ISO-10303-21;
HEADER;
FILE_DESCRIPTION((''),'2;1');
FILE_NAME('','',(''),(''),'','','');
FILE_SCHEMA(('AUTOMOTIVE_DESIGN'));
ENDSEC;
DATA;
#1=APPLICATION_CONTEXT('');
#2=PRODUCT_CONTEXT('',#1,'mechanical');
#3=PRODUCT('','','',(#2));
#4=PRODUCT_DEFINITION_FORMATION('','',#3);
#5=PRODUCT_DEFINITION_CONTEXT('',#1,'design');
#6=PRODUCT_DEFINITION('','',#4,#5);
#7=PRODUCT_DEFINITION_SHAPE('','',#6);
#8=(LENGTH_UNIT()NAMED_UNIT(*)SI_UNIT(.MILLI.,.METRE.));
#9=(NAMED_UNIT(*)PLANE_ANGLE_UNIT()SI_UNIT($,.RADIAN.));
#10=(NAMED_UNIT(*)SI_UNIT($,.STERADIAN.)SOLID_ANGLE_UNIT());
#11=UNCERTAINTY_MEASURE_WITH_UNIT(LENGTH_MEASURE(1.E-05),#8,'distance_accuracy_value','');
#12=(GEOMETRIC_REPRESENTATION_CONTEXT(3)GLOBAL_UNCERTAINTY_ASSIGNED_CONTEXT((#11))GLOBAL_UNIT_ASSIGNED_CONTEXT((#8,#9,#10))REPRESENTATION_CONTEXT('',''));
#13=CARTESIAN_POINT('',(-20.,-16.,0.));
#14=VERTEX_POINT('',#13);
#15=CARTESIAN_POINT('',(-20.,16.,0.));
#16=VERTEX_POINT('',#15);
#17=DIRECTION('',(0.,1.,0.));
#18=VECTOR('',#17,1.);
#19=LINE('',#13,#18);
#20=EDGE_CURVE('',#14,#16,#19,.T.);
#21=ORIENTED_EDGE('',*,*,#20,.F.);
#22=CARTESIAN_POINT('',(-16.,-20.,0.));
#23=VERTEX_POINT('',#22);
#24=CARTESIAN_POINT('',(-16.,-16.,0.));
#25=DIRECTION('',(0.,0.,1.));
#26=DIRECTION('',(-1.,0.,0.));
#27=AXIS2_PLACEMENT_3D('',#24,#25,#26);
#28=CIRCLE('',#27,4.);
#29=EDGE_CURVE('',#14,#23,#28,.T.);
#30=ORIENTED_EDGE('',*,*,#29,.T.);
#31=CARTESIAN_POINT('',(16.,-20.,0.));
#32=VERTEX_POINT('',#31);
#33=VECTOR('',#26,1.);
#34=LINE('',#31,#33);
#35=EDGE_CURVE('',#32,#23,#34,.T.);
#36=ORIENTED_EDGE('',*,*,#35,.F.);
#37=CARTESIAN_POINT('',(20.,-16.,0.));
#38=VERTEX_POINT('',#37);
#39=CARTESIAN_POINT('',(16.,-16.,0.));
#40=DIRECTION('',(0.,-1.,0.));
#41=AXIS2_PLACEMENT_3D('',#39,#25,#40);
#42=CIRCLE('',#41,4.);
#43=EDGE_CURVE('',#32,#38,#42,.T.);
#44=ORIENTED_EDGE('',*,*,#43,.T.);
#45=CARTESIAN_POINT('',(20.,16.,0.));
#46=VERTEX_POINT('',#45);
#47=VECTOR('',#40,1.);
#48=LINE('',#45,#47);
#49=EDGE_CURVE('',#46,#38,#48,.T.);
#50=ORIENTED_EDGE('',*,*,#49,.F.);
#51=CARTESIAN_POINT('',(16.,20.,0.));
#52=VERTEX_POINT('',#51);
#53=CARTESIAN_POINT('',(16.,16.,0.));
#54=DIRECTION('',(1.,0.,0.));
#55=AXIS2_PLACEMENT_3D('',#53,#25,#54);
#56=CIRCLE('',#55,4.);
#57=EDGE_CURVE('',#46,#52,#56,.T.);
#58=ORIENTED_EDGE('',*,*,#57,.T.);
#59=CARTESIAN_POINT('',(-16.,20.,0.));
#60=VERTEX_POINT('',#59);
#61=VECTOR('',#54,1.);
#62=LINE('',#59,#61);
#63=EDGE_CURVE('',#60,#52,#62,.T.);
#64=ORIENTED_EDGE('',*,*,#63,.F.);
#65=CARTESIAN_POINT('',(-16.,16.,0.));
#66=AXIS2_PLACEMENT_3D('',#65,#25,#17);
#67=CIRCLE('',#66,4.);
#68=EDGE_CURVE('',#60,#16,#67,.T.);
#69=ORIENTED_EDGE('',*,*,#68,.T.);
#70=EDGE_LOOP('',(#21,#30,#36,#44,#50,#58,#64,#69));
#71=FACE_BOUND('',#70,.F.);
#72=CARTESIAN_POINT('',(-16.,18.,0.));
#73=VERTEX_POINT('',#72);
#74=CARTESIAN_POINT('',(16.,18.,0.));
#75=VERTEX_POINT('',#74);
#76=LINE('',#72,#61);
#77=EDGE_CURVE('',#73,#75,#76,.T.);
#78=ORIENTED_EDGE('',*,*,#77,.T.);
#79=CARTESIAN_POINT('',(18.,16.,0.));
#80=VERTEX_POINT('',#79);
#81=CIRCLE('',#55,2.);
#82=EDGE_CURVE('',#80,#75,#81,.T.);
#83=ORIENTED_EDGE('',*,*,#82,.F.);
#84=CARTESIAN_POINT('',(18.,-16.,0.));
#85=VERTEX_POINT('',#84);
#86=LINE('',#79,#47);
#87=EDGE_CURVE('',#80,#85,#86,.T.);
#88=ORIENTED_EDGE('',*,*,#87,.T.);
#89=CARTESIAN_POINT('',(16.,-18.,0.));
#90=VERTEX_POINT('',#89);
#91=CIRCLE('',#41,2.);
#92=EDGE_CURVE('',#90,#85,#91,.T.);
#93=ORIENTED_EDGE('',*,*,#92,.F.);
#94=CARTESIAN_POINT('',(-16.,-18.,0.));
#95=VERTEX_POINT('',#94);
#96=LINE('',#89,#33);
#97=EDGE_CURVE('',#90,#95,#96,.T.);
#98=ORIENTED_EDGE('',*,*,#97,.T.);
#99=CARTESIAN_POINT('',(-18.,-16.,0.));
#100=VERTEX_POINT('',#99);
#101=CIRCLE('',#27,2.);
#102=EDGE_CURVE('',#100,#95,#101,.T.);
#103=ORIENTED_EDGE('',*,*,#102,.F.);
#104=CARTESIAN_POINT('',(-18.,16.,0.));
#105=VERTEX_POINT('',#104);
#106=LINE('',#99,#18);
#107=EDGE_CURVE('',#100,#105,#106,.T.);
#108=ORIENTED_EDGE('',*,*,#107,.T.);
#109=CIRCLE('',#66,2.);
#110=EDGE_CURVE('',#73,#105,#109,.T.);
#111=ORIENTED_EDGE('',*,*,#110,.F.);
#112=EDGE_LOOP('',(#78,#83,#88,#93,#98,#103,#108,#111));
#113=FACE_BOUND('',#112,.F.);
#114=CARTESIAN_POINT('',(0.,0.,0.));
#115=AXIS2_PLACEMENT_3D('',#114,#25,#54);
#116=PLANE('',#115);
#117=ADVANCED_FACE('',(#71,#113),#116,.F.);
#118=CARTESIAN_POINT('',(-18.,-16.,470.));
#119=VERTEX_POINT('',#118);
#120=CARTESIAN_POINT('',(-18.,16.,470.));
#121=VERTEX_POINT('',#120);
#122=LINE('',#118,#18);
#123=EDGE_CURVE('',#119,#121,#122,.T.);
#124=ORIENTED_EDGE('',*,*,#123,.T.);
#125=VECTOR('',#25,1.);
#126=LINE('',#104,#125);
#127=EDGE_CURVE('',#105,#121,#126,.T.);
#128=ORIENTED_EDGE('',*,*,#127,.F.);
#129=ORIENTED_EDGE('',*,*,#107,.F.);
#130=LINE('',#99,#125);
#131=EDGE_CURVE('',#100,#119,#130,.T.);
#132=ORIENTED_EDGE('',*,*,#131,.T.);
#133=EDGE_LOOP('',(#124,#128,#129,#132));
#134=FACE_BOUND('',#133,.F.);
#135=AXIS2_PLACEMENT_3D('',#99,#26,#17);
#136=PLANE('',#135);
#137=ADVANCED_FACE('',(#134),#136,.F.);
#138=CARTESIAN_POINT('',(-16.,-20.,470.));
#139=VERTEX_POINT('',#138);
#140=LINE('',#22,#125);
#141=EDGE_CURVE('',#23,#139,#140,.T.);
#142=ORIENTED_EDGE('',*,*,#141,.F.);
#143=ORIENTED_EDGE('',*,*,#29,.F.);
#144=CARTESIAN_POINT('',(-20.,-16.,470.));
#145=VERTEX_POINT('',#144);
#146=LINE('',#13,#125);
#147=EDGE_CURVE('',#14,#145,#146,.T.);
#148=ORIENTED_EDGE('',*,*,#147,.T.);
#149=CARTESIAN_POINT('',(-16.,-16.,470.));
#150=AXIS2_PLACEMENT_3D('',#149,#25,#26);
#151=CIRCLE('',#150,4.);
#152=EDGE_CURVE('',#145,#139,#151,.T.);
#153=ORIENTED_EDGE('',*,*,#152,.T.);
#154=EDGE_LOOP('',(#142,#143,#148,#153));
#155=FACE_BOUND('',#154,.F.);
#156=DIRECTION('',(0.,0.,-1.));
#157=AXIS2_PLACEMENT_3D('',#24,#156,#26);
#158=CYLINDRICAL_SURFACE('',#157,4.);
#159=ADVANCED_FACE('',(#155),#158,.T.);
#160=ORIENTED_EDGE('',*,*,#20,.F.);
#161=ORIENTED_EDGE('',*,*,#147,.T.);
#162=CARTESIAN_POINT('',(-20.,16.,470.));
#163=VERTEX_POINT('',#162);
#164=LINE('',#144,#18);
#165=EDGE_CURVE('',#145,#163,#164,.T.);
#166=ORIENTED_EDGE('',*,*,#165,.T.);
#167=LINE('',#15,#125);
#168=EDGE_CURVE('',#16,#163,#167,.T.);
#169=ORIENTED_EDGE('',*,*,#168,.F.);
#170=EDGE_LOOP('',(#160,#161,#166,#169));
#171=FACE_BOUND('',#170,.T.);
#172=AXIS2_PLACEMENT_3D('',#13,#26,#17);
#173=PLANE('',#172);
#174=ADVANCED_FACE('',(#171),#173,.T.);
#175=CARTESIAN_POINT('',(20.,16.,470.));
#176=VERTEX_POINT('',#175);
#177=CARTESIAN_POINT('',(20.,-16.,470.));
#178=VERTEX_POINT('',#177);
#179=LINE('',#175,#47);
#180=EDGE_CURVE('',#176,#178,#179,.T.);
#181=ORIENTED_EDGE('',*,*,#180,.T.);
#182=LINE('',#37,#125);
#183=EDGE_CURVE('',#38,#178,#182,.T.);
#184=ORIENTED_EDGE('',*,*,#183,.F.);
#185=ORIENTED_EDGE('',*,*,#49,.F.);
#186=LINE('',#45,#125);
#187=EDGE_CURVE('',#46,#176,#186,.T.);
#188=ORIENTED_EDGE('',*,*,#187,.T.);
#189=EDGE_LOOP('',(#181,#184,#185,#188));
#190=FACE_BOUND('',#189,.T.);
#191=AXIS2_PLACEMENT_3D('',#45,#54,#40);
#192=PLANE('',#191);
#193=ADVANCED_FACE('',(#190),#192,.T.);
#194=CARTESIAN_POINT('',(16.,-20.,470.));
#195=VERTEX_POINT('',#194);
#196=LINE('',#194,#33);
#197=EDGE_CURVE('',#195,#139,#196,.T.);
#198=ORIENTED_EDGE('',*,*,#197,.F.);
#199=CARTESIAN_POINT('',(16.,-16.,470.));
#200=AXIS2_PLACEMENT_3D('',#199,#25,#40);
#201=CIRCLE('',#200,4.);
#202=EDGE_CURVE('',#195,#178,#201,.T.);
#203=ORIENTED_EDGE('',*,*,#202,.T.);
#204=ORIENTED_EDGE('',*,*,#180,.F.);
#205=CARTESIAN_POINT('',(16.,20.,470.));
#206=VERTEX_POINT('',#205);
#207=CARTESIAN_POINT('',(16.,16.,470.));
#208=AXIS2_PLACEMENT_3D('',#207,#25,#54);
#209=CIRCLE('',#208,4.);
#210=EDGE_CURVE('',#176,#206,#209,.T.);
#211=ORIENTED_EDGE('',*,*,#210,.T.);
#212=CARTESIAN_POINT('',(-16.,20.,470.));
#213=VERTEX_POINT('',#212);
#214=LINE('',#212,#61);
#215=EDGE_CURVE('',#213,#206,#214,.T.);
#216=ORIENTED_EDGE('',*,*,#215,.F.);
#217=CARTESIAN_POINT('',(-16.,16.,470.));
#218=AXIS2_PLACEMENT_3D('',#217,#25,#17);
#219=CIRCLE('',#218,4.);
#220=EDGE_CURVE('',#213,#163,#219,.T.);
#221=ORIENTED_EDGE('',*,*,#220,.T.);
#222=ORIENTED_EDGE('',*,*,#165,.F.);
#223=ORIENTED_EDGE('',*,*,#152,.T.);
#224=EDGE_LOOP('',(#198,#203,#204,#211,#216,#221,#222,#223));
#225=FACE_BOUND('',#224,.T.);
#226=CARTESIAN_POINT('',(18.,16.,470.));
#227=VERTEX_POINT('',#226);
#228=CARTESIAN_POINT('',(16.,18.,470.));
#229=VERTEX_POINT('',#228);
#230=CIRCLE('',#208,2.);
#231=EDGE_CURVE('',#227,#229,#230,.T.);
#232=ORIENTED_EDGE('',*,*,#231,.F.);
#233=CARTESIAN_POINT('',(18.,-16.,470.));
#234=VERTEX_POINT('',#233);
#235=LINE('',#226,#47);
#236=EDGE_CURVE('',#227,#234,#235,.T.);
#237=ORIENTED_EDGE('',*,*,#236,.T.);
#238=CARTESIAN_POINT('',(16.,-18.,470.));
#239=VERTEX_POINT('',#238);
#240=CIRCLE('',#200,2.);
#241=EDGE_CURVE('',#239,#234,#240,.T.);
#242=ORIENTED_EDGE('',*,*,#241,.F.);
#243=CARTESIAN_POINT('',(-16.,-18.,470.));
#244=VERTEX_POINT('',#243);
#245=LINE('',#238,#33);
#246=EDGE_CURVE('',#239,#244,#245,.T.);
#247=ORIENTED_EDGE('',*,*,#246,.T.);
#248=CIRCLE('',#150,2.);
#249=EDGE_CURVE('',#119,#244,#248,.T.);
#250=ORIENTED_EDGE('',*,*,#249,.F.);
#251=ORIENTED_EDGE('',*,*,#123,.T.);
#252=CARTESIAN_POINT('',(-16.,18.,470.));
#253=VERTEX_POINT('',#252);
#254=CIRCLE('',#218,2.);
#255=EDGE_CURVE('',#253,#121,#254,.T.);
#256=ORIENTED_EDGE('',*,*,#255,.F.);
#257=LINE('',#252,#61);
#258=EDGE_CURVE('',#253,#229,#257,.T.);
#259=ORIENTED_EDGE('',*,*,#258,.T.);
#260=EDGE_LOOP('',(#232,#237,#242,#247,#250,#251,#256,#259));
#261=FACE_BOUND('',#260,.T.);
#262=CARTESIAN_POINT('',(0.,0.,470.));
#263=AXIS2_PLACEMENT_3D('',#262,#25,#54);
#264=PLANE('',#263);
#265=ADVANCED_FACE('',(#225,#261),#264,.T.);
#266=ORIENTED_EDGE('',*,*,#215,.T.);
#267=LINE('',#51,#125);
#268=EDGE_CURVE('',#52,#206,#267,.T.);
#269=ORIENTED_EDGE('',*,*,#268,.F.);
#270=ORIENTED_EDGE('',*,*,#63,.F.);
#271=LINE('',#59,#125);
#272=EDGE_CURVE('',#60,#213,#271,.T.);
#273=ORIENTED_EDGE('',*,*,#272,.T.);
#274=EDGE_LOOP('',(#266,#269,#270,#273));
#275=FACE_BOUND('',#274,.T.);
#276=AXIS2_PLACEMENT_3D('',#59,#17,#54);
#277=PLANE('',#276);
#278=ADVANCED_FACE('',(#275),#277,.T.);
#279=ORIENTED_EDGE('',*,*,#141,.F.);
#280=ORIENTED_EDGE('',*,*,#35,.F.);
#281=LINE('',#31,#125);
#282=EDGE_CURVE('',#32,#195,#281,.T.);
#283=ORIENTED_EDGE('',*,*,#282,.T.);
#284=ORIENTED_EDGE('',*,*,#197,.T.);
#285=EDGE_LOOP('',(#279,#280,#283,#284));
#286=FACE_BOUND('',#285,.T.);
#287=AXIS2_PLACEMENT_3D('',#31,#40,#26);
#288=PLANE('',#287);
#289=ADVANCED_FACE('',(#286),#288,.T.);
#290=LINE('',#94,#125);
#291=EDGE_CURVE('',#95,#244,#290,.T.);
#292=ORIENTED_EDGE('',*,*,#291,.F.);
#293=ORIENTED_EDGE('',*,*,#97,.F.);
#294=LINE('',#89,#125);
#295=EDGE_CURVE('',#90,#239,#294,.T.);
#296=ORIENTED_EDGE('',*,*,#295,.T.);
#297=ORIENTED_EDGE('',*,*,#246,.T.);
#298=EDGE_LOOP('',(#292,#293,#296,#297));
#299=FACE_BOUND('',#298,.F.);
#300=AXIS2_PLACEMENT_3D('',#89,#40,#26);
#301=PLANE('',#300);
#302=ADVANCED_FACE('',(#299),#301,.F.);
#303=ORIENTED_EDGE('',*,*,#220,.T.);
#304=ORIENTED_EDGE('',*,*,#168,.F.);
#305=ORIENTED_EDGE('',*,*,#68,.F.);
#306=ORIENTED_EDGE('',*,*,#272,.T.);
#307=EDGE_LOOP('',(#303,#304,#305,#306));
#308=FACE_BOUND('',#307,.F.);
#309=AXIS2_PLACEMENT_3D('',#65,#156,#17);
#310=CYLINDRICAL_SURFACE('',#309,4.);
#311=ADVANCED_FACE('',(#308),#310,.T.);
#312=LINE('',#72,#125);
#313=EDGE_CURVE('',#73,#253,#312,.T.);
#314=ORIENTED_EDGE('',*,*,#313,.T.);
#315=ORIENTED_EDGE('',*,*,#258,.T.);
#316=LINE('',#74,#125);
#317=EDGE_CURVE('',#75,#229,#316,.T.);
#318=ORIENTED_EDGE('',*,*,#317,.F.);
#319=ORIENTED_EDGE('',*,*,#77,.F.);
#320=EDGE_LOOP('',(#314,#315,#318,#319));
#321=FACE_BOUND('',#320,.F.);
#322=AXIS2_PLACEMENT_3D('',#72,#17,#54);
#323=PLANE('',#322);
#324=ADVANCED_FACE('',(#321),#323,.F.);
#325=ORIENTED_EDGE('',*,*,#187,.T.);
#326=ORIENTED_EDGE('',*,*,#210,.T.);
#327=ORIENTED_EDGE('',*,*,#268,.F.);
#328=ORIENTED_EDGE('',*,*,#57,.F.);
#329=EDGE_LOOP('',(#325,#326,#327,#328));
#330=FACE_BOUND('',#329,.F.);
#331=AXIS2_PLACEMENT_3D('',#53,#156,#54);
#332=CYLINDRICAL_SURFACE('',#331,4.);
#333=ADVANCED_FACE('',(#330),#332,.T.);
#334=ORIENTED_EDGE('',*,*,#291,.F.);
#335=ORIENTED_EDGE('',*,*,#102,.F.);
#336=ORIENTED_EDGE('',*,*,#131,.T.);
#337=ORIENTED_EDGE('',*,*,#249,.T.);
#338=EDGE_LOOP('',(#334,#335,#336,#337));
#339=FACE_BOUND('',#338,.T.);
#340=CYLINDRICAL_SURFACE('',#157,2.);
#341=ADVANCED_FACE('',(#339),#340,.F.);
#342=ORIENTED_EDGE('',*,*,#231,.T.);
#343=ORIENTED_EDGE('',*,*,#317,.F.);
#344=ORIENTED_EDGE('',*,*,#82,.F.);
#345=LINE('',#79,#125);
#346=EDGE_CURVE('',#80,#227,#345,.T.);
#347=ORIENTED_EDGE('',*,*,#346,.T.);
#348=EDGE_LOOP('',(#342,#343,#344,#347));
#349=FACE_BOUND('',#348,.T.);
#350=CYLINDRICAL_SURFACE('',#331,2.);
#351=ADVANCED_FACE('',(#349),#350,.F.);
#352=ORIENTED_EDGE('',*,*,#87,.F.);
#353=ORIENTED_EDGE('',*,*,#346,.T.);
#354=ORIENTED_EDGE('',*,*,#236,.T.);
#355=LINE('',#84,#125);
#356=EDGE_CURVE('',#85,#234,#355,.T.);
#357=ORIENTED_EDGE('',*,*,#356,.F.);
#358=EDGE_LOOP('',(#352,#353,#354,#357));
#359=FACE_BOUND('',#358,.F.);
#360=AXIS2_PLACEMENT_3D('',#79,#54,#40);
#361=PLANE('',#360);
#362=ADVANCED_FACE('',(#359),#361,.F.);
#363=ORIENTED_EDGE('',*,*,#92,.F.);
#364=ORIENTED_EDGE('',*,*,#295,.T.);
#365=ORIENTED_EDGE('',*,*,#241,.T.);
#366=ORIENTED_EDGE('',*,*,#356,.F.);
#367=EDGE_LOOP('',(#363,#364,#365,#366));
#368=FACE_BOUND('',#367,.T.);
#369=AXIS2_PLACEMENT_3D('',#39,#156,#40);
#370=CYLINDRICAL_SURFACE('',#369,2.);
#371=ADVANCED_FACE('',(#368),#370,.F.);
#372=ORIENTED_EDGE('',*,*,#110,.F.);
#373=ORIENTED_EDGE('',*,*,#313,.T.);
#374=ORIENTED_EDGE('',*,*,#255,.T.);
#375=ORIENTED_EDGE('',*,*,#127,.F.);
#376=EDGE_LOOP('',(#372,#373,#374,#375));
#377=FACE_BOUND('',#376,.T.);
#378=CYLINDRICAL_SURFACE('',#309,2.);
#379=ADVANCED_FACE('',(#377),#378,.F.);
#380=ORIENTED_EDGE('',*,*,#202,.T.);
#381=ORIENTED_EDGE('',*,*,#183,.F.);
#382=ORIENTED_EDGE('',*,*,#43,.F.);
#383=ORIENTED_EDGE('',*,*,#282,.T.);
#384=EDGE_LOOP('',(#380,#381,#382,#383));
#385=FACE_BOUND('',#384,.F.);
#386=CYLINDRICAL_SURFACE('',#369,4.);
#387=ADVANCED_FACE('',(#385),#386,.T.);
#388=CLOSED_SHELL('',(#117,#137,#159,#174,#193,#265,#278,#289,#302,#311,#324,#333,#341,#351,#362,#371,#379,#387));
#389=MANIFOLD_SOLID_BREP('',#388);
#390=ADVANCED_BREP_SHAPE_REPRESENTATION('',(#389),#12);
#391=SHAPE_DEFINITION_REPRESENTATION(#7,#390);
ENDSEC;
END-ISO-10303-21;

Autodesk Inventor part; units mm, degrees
ref_plane "YZ Plane" through (0, 0, 0) normal (1, 0, 0) x (0, 1, 0)
ref_plane "Start Plane" through (0, 0, 0) normal (0, 0, 1) x (1, 0, 0)
ref_plane "End Plane" through (0, 0, 470) normal (0, 0, 1) x (1, 0, 0)
sketch "Sketch" plane through (0, 0, 0) normal (0, 0, 1) x (1, 0, 0)
  line L0 (-20, -16) -> (-20, 16)
  line L1 (-16, 20) -> (16, 20)
  line L2 (20, 16) -> (20, -16)
  line L3 (16, -20) -> (-16, -20)
  arc A0 (-20, -16) -> (-16, -20) centre (-16, -16) ccw
  arc A1 (20, 16) -> (16, 20) centre (16, 16) ccw
  arc A2 (-16, 20) -> (-20, 16) centre (-16, 16) ccw
  arc A3 (16, -20) -> (20, -16) centre (16, -16) ccw
  arc A4 (-16, 18) -> (-18, 16) centre (-16, 16) ccw
  line L4 (-16, 18) -> (16, 18)
  arc A5 (18, 16) -> (16, 18) centre (16, 16) ccw
  line L5 (18, 16) -> (18, -16)
  arc A6 (16, -18) -> (18, -16) centre (16, -16) ccw
  line L6 (16, -18) -> (-16, -18)
  arc A7 (-18, -16) -> (-16, -18) centre (-16, -16) ccw
  line L7 (-18, -16) -> (-18, 16)
  line L8 (0, 29.1598) -> (0, -29.1598) construction
  line L9 (-29.1598, 0) -> (29.1598, 0) construction
  dimension "d7" = 4
  dimension "d9" = 40
  dimension "d11" = 40
  dimension "d12" = 2
  dimension "d15" = 20
  dimension "d16" = 20
extrude "Body" add sketch "Sketch" along normal up to surface (470 mm away) from surface at 0
sketch "Sketch3" plane through (0, 0, 0) normal (0, 0, 1) x (1, 0, 0)
  line L0 (0, 0) -> (10, 0)
ref_plane "Work Plane3" through (0, 0, 0) normal (0, -1, 0) x (1, 0, 0)
sketch "Sketch4" plane through (0, 0, 0) normal (0, -1, 0) x (1, 0, 0)
  line L0 (-2, 0) -> (12, 0) projected
  line L1 (-2, 470) -> (12, 470) projected
  dimension "d18" = 470
equation "\"d7\" = G_IR"
equation "\"d9\" = G_W"
equation "\"d11\" = G_H"
equation "\"d12\" = G_T"
equation "\"d15\" = 0.5 * d9"
equation "\"d16\" = 0.5 * d11"
equation "\"d3\" = G_L"
equation "\"G_W\" = 40"
equation "\"G_H\" = 40"
equation "\"G_T\" = 2"
equation "\"G_IR\" = 4"
equation "\"G_L\" = d18"
equation "\"G_OFFSET_START\" = 0"
equation "\"G_OFFSET_END\" = 0"
properties part number "ISO 10799-2 - 40x40x2 - 470" material "Steel, Mild"
